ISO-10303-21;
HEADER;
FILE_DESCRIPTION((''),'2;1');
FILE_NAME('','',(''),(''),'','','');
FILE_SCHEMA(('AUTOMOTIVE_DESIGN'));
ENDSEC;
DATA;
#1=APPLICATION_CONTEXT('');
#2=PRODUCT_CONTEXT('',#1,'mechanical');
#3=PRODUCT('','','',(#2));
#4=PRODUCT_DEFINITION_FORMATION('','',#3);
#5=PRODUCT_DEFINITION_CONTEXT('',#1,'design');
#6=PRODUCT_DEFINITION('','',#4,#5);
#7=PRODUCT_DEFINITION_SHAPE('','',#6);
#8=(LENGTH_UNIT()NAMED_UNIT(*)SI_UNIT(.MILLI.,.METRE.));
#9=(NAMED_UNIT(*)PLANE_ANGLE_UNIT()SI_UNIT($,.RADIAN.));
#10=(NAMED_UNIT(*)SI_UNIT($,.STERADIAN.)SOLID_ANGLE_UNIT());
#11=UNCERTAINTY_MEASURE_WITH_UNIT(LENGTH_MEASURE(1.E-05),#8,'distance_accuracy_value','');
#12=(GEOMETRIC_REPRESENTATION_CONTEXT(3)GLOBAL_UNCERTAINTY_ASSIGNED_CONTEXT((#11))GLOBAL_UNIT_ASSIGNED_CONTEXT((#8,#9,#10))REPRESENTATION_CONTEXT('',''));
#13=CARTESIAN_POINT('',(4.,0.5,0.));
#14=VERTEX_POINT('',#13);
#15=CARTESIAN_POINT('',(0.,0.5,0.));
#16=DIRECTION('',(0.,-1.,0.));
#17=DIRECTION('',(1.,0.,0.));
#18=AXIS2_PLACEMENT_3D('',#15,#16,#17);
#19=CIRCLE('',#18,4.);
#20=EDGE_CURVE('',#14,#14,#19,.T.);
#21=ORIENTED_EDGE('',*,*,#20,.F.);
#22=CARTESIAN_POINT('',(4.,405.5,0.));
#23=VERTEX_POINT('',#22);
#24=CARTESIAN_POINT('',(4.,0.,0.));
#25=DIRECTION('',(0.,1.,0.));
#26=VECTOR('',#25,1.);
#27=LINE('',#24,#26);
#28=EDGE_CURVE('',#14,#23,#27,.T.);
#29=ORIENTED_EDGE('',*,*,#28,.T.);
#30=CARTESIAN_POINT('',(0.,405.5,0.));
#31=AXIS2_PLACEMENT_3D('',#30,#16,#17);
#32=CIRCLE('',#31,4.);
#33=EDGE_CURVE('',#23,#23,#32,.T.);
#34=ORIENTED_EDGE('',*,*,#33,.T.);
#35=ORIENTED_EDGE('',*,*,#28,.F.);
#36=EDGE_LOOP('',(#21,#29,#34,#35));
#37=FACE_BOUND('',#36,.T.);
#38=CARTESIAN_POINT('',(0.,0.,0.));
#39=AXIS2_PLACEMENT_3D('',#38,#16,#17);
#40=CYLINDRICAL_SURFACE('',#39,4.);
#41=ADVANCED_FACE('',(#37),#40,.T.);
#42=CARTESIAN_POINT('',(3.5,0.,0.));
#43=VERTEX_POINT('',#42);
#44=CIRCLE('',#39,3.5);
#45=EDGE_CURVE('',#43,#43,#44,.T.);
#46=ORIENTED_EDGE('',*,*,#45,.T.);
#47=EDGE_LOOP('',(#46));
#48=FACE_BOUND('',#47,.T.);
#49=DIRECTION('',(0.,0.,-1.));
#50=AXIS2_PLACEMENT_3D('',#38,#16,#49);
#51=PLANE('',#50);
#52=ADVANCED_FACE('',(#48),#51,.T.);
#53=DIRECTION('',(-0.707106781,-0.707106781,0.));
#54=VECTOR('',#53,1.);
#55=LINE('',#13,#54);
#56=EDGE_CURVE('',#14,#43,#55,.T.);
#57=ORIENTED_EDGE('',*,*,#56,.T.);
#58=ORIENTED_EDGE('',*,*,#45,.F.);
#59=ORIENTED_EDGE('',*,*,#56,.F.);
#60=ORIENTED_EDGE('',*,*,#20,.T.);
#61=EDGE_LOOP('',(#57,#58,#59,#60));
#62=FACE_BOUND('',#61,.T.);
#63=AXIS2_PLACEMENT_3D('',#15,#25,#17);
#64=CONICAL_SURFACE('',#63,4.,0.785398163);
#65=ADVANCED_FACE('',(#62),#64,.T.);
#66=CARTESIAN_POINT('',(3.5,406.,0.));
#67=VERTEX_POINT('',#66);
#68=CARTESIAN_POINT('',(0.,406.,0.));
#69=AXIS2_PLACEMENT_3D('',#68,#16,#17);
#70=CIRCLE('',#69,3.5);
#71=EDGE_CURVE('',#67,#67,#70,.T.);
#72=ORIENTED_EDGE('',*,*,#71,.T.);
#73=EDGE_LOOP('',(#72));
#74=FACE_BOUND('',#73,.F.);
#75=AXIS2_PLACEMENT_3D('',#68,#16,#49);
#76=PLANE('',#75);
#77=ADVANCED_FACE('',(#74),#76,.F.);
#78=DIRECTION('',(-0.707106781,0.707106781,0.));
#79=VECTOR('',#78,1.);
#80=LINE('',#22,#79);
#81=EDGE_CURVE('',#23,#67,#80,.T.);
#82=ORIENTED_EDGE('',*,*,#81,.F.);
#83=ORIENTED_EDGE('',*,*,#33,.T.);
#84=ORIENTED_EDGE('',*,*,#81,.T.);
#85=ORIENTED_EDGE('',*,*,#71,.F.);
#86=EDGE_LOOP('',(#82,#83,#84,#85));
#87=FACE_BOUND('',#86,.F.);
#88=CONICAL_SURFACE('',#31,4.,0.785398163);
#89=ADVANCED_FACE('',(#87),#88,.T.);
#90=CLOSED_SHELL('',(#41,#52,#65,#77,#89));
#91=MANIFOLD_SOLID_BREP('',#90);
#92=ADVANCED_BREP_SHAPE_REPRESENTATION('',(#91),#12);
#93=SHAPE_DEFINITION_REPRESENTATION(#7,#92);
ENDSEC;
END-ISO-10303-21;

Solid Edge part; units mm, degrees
sketch "Sketch1" plane through (0, 0, 0) normal (0, -1, 0) x (1, 0, 0)
  circle A0 centre (0, 0) radius 4
extrude "Protrusion1" add sketch "Sketch1" against normal blind 406
chamfer "Chamfer_1" distance 0.5 angle 45 2 edges at (-4, 0, 0) (-4, 406, 0)
properties material "Stainless steel"
